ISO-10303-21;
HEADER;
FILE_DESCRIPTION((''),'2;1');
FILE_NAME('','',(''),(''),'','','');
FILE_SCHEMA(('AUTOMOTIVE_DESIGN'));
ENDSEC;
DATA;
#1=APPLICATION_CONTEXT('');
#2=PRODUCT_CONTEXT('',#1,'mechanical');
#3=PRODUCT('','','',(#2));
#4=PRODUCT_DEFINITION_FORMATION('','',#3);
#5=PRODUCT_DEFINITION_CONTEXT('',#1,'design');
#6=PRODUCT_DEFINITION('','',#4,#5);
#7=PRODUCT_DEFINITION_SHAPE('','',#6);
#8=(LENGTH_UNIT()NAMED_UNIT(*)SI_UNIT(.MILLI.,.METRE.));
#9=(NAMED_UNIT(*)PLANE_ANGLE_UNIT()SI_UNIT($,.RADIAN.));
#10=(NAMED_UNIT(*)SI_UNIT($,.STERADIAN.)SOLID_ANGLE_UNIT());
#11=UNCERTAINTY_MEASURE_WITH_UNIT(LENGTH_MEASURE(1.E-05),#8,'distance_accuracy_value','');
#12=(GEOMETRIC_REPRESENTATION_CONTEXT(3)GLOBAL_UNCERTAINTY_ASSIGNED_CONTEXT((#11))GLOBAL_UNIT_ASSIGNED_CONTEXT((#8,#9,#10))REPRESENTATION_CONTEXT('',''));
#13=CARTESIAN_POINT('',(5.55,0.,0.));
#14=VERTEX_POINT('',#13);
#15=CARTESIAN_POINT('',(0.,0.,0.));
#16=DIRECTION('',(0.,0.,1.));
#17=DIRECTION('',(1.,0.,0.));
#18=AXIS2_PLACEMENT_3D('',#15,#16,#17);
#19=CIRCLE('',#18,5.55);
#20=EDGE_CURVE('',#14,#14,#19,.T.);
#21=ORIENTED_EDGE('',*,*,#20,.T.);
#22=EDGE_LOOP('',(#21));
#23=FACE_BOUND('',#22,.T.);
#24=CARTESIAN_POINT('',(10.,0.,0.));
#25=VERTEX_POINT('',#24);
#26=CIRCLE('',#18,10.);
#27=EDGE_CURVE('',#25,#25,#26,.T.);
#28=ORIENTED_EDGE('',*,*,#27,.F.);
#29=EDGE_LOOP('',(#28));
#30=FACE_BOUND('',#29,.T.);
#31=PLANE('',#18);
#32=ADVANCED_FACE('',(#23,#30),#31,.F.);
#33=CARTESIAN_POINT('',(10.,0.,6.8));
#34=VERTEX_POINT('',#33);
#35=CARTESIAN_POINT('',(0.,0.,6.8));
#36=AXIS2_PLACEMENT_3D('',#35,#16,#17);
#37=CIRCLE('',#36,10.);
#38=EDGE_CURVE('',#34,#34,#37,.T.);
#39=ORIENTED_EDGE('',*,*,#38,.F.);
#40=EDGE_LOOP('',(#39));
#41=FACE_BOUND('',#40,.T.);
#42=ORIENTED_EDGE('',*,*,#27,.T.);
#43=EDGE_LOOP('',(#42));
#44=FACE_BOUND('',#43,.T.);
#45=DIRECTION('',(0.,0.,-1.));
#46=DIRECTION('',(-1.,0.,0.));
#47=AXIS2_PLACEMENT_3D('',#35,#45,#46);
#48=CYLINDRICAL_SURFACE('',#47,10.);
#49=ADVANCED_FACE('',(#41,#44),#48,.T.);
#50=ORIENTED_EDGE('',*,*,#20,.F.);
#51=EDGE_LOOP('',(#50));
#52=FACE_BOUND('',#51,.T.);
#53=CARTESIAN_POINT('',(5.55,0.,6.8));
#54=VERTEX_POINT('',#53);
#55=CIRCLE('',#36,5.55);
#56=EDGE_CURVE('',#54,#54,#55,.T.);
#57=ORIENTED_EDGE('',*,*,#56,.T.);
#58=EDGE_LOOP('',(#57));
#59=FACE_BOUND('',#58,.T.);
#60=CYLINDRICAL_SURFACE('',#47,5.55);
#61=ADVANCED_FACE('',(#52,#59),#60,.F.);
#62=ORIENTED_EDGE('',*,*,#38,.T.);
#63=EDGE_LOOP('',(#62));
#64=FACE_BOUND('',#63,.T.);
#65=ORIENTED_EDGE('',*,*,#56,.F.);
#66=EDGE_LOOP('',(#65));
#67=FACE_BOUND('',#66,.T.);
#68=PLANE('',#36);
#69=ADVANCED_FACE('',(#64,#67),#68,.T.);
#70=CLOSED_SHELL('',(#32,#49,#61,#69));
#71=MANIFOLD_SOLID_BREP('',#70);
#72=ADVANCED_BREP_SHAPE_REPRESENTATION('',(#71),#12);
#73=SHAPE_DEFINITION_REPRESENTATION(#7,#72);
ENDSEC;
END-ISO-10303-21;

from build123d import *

# Parameters (mm, degrees)
SKETCH1_R           = 10
SKETCH1_R_2         = 5.55
BOSS_EXTRUDE1_DEPTH = 6.8


with BuildPart() as part:
    # Sketch1 → Boss-Extrude1 (new body)
    with BuildSketch(Plane.XY):
        Circle(SKETCH1_R)
        Circle(SKETCH1_R_2, mode=Mode.SUBTRACT)
    extrude(amount=BOSS_EXTRUDE1_DEPTH)


solid = part.part
